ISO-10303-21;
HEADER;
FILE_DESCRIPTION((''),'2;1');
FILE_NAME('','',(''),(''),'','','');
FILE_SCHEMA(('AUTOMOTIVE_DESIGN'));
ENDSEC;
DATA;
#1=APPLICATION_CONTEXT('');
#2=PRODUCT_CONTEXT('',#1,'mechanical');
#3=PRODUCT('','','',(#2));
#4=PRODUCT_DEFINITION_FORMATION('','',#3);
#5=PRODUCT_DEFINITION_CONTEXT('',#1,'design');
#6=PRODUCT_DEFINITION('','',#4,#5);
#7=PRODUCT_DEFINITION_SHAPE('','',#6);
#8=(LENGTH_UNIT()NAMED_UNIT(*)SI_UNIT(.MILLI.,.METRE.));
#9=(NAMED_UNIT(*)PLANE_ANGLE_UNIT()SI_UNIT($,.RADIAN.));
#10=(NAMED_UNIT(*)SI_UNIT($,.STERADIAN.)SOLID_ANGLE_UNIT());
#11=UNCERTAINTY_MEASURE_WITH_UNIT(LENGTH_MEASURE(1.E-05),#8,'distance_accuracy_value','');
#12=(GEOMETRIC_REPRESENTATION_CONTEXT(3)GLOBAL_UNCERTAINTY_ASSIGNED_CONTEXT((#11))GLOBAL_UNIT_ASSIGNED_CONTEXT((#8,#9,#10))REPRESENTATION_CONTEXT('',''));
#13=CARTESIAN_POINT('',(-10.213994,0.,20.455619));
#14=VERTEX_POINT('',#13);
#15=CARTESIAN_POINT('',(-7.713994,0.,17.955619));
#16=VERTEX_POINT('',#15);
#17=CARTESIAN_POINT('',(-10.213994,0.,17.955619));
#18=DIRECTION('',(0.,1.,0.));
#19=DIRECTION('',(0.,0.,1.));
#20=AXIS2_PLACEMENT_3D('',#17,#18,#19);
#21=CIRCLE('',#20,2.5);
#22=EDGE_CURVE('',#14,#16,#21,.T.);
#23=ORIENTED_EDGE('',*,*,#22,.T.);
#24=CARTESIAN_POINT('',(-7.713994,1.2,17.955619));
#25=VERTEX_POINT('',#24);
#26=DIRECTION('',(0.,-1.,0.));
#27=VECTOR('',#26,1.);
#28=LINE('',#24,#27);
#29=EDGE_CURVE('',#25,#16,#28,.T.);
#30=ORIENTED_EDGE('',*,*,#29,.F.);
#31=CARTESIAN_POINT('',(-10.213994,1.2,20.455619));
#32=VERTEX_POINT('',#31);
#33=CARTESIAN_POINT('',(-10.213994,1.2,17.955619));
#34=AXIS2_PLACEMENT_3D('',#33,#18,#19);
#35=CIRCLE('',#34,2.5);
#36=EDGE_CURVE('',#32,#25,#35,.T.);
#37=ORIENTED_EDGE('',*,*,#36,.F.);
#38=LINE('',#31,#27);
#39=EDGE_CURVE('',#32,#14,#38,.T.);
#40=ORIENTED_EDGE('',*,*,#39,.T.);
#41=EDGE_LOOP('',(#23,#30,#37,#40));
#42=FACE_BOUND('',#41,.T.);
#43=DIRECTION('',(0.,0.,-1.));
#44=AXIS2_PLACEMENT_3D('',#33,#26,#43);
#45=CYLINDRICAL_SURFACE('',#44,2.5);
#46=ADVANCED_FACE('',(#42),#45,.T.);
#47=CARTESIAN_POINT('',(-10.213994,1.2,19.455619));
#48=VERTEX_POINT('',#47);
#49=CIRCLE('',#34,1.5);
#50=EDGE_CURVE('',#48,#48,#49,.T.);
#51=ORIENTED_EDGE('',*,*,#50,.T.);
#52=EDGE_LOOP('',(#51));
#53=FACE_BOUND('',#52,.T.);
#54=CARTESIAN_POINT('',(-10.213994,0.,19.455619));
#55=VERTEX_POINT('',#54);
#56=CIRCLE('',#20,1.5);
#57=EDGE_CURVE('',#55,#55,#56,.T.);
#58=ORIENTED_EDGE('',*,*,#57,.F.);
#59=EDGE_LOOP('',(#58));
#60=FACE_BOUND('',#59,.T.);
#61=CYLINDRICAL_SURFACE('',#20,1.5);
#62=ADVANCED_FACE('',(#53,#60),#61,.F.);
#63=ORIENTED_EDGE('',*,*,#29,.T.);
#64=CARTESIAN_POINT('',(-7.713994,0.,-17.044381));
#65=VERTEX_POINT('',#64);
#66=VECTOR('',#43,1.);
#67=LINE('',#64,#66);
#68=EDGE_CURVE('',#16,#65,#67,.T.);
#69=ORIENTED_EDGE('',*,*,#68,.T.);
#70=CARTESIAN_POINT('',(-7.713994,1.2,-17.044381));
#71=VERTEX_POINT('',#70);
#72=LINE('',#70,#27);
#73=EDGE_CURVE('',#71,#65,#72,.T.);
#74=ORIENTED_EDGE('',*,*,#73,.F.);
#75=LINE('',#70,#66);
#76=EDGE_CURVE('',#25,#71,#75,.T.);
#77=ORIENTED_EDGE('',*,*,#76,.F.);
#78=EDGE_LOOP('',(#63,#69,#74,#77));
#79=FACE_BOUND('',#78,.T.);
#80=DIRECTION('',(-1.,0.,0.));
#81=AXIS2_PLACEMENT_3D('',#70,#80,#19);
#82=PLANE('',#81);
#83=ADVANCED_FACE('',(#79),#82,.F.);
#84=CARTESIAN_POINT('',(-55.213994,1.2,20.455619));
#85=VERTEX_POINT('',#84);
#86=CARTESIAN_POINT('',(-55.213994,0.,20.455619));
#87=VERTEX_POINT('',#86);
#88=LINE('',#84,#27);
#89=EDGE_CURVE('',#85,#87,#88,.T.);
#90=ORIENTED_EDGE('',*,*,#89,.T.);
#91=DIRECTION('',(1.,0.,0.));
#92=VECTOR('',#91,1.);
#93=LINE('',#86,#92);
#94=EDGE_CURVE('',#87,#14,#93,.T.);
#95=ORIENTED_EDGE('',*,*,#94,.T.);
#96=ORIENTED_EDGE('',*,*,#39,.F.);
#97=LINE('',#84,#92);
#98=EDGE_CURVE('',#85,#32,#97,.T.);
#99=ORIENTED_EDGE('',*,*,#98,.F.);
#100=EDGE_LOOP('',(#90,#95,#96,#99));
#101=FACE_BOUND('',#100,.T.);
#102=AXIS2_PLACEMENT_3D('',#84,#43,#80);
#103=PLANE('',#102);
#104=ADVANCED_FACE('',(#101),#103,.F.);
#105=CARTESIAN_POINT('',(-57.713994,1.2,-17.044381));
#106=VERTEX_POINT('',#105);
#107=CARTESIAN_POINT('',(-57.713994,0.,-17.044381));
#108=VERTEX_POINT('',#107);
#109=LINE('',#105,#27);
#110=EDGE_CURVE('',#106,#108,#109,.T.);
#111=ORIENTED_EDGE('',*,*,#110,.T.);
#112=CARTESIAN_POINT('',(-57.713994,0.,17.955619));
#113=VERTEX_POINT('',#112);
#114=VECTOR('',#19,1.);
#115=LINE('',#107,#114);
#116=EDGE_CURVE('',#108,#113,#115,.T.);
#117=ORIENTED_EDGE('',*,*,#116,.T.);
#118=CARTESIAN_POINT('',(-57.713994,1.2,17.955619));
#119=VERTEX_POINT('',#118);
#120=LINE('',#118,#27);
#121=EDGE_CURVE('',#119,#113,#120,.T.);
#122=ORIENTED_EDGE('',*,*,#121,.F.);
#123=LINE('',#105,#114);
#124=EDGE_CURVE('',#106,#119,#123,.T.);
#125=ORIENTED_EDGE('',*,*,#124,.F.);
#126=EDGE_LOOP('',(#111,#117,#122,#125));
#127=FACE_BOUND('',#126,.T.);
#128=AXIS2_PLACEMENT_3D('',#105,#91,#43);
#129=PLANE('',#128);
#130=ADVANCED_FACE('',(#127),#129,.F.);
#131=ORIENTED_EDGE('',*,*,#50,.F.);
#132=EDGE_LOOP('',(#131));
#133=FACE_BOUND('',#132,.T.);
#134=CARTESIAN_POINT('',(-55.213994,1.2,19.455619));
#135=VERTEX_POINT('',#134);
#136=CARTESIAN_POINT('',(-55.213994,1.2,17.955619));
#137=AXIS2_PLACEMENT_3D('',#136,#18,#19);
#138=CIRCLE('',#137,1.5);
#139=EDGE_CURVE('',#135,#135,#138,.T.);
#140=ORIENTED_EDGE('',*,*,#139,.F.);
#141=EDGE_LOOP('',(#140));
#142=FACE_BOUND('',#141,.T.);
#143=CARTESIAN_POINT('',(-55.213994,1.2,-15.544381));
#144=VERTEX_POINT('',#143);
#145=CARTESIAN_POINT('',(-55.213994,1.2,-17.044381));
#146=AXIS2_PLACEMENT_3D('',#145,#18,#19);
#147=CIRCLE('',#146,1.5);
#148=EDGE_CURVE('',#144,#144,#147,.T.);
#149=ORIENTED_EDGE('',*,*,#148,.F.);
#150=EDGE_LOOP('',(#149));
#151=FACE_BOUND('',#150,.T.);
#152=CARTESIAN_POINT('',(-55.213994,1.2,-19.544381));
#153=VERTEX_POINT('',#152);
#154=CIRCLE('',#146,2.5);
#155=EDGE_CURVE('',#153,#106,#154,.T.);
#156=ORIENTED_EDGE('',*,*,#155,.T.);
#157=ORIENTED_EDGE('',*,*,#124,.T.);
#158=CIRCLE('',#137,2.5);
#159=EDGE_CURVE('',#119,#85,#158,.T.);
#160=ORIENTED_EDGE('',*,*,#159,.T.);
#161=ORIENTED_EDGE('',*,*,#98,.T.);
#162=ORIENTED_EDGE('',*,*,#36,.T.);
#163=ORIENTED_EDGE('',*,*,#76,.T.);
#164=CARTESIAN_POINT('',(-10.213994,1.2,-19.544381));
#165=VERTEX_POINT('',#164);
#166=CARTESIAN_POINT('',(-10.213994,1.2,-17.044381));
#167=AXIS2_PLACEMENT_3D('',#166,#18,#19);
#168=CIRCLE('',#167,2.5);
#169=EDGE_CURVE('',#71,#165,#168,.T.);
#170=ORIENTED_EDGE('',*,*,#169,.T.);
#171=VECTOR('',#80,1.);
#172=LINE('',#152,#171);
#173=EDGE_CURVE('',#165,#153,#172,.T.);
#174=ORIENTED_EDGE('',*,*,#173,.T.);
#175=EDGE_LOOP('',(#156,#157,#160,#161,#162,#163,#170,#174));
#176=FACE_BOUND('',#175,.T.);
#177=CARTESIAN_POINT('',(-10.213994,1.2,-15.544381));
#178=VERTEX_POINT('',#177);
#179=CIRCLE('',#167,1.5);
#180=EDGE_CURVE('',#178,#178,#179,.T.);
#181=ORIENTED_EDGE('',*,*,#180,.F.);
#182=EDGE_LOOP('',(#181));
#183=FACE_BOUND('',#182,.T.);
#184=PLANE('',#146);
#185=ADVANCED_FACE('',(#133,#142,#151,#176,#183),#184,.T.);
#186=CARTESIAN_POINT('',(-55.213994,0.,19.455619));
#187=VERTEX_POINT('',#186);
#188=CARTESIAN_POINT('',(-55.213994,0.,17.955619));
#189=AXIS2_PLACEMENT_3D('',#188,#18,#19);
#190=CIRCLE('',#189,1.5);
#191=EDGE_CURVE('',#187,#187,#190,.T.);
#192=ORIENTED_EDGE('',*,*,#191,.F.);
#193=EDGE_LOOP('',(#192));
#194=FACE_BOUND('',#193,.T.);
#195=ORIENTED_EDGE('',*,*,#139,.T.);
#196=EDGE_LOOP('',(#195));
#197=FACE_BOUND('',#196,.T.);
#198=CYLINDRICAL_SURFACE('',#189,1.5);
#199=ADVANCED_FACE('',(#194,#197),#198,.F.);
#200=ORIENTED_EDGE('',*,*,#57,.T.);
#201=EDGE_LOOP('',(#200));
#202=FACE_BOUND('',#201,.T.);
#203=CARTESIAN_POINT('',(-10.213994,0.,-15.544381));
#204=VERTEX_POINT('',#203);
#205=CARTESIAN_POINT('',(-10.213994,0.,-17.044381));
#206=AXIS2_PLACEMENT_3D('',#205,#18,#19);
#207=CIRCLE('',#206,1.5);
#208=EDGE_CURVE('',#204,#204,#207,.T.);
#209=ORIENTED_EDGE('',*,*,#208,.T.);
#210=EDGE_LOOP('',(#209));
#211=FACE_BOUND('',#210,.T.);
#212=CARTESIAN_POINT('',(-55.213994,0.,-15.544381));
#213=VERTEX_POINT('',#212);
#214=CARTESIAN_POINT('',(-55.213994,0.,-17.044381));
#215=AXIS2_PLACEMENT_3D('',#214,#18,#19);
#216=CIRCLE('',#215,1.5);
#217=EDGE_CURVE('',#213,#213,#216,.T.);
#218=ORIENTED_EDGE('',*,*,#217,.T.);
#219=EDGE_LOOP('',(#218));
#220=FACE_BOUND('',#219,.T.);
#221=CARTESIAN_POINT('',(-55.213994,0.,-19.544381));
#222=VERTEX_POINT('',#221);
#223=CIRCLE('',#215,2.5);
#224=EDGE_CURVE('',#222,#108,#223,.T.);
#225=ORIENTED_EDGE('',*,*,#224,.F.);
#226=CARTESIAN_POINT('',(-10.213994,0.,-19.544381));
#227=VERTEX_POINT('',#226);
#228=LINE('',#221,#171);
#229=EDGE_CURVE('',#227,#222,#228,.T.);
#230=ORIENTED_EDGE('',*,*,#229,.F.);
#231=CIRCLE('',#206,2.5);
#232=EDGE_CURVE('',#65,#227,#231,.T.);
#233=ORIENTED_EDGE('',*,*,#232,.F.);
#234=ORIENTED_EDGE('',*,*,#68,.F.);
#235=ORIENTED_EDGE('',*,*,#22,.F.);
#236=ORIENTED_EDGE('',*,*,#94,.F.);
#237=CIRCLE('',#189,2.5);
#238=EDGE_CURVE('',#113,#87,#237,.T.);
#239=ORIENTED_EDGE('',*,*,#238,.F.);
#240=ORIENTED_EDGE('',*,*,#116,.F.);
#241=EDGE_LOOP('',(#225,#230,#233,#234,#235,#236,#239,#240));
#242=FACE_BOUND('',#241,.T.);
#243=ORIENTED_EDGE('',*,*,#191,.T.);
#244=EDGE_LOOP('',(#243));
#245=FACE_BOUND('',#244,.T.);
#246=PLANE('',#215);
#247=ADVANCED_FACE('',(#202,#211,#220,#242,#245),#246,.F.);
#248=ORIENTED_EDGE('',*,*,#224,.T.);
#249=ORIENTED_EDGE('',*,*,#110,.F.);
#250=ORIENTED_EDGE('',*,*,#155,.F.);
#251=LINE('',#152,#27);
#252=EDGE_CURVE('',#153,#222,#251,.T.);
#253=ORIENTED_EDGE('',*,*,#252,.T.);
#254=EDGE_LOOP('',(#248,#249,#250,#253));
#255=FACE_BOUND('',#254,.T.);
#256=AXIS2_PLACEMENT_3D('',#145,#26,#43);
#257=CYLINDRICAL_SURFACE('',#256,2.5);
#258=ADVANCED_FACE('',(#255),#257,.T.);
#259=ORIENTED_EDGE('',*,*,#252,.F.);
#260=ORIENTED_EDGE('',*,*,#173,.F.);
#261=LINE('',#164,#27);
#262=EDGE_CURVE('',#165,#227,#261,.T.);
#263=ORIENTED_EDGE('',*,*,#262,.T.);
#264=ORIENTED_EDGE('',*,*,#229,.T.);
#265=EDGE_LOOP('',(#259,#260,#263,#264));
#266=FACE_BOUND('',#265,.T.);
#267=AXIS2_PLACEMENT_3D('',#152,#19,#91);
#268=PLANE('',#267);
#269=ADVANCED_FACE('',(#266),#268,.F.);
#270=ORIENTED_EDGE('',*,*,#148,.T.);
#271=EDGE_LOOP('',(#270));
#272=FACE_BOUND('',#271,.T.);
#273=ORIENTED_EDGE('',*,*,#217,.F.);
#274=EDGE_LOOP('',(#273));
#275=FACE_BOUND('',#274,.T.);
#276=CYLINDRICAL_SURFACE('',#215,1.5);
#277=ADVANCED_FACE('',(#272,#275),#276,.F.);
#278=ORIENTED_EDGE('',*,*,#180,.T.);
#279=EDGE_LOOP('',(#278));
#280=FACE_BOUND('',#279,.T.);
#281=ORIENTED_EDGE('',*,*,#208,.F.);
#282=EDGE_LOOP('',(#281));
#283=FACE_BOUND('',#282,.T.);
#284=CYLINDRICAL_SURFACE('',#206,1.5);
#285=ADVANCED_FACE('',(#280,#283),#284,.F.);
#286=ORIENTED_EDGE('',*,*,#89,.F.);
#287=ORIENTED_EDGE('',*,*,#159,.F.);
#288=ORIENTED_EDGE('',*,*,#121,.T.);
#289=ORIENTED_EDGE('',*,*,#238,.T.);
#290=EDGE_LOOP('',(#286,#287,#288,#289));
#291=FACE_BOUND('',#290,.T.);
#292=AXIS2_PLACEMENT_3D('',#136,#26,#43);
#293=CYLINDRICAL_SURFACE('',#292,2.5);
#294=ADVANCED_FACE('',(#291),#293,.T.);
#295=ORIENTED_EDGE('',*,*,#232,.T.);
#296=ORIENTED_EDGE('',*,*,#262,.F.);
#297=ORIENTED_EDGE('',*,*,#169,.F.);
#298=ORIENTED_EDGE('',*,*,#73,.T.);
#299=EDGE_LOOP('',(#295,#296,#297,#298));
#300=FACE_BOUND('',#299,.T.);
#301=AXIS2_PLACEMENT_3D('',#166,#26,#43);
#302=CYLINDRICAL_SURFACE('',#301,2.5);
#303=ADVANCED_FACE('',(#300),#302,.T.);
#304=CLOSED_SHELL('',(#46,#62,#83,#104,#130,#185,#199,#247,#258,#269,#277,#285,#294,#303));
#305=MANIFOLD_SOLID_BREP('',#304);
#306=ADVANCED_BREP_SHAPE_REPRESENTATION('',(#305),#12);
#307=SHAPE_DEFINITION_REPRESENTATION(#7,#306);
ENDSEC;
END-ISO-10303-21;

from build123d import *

# Parameters (mm, degrees)
EXTRUDE_3_DEPTH     = 1.2
SKETCH_7_R          = 1.5
CUT_EXTRUDE_1_DEPTH = 62.243591584


with BuildPart() as part:
    # 草图1 → 凸台-拉伸3 (new body)
    with BuildSketch(Plane(origin=(0, 0, 0), x_dir=(1, 0, 0), z_dir=(0, 1, 0))):
        with BuildLine():
            Line((-55.213994356, 19.544380587), (-10.213994356, 19.544380587))
            ThreePointArc((-10.213994356, 19.544380587), (-8.446227403, 18.81214754), (-7.713994356, 17.044380587))
            Line((-7.713994356, 17.044380587), (-7.713994356, -17.955619413))
            ThreePointArc((-7.713994356, -17.955619413), (-8.446227403, -19.723386366), (-10.213994356, -20.455619413))
            Line((-10.213994356, -20.455619413), (-55.213994356, -20.455619413))
            ThreePointArc((-55.213994356, -20.455619413), (-56.981761309, -19.723386366), (-57.713994356, -17.955619413))
            Line((-57.713994356, -17.955619413), (-57.713994356, 17.044380587))
            ThreePointArc((-57.713994356, 17.044380587), (-56.981761309, 18.81214754), (-55.213994356, 19.544380587))
        make_face()
    extrude(amount=EXTRUDE_3_DEPTH)

    # 草图7 → 切除-拉伸1 (cut, through all)
    with BuildSketch(Plane(origin=(0, 1.2, 0), x_dir=(1, 0, 0), z_dir=(0, 1, 0))):
        with Locations(Location((-55.213994356, 17.044380587, 0), (0, 0, 270))):
            Circle(SKETCH_7_R)
        with Locations(Location((-10.213994356, 17.044380587, 0), (0, 0, 270))):
            Circle(SKETCH_7_R)
        with Locations(Location((-55.213994356, -17.955619413, 0), (0, 0, 270))):
            Circle(SKETCH_7_R)
        with Locations(Location((-10.213994356, -17.955619413, 0), (0, 0, 270))):
            Circle(SKETCH_7_R)
    extrude(amount=-CUT_EXTRUDE_1_DEPTH, mode=Mode.SUBTRACT)


solid = part.part
